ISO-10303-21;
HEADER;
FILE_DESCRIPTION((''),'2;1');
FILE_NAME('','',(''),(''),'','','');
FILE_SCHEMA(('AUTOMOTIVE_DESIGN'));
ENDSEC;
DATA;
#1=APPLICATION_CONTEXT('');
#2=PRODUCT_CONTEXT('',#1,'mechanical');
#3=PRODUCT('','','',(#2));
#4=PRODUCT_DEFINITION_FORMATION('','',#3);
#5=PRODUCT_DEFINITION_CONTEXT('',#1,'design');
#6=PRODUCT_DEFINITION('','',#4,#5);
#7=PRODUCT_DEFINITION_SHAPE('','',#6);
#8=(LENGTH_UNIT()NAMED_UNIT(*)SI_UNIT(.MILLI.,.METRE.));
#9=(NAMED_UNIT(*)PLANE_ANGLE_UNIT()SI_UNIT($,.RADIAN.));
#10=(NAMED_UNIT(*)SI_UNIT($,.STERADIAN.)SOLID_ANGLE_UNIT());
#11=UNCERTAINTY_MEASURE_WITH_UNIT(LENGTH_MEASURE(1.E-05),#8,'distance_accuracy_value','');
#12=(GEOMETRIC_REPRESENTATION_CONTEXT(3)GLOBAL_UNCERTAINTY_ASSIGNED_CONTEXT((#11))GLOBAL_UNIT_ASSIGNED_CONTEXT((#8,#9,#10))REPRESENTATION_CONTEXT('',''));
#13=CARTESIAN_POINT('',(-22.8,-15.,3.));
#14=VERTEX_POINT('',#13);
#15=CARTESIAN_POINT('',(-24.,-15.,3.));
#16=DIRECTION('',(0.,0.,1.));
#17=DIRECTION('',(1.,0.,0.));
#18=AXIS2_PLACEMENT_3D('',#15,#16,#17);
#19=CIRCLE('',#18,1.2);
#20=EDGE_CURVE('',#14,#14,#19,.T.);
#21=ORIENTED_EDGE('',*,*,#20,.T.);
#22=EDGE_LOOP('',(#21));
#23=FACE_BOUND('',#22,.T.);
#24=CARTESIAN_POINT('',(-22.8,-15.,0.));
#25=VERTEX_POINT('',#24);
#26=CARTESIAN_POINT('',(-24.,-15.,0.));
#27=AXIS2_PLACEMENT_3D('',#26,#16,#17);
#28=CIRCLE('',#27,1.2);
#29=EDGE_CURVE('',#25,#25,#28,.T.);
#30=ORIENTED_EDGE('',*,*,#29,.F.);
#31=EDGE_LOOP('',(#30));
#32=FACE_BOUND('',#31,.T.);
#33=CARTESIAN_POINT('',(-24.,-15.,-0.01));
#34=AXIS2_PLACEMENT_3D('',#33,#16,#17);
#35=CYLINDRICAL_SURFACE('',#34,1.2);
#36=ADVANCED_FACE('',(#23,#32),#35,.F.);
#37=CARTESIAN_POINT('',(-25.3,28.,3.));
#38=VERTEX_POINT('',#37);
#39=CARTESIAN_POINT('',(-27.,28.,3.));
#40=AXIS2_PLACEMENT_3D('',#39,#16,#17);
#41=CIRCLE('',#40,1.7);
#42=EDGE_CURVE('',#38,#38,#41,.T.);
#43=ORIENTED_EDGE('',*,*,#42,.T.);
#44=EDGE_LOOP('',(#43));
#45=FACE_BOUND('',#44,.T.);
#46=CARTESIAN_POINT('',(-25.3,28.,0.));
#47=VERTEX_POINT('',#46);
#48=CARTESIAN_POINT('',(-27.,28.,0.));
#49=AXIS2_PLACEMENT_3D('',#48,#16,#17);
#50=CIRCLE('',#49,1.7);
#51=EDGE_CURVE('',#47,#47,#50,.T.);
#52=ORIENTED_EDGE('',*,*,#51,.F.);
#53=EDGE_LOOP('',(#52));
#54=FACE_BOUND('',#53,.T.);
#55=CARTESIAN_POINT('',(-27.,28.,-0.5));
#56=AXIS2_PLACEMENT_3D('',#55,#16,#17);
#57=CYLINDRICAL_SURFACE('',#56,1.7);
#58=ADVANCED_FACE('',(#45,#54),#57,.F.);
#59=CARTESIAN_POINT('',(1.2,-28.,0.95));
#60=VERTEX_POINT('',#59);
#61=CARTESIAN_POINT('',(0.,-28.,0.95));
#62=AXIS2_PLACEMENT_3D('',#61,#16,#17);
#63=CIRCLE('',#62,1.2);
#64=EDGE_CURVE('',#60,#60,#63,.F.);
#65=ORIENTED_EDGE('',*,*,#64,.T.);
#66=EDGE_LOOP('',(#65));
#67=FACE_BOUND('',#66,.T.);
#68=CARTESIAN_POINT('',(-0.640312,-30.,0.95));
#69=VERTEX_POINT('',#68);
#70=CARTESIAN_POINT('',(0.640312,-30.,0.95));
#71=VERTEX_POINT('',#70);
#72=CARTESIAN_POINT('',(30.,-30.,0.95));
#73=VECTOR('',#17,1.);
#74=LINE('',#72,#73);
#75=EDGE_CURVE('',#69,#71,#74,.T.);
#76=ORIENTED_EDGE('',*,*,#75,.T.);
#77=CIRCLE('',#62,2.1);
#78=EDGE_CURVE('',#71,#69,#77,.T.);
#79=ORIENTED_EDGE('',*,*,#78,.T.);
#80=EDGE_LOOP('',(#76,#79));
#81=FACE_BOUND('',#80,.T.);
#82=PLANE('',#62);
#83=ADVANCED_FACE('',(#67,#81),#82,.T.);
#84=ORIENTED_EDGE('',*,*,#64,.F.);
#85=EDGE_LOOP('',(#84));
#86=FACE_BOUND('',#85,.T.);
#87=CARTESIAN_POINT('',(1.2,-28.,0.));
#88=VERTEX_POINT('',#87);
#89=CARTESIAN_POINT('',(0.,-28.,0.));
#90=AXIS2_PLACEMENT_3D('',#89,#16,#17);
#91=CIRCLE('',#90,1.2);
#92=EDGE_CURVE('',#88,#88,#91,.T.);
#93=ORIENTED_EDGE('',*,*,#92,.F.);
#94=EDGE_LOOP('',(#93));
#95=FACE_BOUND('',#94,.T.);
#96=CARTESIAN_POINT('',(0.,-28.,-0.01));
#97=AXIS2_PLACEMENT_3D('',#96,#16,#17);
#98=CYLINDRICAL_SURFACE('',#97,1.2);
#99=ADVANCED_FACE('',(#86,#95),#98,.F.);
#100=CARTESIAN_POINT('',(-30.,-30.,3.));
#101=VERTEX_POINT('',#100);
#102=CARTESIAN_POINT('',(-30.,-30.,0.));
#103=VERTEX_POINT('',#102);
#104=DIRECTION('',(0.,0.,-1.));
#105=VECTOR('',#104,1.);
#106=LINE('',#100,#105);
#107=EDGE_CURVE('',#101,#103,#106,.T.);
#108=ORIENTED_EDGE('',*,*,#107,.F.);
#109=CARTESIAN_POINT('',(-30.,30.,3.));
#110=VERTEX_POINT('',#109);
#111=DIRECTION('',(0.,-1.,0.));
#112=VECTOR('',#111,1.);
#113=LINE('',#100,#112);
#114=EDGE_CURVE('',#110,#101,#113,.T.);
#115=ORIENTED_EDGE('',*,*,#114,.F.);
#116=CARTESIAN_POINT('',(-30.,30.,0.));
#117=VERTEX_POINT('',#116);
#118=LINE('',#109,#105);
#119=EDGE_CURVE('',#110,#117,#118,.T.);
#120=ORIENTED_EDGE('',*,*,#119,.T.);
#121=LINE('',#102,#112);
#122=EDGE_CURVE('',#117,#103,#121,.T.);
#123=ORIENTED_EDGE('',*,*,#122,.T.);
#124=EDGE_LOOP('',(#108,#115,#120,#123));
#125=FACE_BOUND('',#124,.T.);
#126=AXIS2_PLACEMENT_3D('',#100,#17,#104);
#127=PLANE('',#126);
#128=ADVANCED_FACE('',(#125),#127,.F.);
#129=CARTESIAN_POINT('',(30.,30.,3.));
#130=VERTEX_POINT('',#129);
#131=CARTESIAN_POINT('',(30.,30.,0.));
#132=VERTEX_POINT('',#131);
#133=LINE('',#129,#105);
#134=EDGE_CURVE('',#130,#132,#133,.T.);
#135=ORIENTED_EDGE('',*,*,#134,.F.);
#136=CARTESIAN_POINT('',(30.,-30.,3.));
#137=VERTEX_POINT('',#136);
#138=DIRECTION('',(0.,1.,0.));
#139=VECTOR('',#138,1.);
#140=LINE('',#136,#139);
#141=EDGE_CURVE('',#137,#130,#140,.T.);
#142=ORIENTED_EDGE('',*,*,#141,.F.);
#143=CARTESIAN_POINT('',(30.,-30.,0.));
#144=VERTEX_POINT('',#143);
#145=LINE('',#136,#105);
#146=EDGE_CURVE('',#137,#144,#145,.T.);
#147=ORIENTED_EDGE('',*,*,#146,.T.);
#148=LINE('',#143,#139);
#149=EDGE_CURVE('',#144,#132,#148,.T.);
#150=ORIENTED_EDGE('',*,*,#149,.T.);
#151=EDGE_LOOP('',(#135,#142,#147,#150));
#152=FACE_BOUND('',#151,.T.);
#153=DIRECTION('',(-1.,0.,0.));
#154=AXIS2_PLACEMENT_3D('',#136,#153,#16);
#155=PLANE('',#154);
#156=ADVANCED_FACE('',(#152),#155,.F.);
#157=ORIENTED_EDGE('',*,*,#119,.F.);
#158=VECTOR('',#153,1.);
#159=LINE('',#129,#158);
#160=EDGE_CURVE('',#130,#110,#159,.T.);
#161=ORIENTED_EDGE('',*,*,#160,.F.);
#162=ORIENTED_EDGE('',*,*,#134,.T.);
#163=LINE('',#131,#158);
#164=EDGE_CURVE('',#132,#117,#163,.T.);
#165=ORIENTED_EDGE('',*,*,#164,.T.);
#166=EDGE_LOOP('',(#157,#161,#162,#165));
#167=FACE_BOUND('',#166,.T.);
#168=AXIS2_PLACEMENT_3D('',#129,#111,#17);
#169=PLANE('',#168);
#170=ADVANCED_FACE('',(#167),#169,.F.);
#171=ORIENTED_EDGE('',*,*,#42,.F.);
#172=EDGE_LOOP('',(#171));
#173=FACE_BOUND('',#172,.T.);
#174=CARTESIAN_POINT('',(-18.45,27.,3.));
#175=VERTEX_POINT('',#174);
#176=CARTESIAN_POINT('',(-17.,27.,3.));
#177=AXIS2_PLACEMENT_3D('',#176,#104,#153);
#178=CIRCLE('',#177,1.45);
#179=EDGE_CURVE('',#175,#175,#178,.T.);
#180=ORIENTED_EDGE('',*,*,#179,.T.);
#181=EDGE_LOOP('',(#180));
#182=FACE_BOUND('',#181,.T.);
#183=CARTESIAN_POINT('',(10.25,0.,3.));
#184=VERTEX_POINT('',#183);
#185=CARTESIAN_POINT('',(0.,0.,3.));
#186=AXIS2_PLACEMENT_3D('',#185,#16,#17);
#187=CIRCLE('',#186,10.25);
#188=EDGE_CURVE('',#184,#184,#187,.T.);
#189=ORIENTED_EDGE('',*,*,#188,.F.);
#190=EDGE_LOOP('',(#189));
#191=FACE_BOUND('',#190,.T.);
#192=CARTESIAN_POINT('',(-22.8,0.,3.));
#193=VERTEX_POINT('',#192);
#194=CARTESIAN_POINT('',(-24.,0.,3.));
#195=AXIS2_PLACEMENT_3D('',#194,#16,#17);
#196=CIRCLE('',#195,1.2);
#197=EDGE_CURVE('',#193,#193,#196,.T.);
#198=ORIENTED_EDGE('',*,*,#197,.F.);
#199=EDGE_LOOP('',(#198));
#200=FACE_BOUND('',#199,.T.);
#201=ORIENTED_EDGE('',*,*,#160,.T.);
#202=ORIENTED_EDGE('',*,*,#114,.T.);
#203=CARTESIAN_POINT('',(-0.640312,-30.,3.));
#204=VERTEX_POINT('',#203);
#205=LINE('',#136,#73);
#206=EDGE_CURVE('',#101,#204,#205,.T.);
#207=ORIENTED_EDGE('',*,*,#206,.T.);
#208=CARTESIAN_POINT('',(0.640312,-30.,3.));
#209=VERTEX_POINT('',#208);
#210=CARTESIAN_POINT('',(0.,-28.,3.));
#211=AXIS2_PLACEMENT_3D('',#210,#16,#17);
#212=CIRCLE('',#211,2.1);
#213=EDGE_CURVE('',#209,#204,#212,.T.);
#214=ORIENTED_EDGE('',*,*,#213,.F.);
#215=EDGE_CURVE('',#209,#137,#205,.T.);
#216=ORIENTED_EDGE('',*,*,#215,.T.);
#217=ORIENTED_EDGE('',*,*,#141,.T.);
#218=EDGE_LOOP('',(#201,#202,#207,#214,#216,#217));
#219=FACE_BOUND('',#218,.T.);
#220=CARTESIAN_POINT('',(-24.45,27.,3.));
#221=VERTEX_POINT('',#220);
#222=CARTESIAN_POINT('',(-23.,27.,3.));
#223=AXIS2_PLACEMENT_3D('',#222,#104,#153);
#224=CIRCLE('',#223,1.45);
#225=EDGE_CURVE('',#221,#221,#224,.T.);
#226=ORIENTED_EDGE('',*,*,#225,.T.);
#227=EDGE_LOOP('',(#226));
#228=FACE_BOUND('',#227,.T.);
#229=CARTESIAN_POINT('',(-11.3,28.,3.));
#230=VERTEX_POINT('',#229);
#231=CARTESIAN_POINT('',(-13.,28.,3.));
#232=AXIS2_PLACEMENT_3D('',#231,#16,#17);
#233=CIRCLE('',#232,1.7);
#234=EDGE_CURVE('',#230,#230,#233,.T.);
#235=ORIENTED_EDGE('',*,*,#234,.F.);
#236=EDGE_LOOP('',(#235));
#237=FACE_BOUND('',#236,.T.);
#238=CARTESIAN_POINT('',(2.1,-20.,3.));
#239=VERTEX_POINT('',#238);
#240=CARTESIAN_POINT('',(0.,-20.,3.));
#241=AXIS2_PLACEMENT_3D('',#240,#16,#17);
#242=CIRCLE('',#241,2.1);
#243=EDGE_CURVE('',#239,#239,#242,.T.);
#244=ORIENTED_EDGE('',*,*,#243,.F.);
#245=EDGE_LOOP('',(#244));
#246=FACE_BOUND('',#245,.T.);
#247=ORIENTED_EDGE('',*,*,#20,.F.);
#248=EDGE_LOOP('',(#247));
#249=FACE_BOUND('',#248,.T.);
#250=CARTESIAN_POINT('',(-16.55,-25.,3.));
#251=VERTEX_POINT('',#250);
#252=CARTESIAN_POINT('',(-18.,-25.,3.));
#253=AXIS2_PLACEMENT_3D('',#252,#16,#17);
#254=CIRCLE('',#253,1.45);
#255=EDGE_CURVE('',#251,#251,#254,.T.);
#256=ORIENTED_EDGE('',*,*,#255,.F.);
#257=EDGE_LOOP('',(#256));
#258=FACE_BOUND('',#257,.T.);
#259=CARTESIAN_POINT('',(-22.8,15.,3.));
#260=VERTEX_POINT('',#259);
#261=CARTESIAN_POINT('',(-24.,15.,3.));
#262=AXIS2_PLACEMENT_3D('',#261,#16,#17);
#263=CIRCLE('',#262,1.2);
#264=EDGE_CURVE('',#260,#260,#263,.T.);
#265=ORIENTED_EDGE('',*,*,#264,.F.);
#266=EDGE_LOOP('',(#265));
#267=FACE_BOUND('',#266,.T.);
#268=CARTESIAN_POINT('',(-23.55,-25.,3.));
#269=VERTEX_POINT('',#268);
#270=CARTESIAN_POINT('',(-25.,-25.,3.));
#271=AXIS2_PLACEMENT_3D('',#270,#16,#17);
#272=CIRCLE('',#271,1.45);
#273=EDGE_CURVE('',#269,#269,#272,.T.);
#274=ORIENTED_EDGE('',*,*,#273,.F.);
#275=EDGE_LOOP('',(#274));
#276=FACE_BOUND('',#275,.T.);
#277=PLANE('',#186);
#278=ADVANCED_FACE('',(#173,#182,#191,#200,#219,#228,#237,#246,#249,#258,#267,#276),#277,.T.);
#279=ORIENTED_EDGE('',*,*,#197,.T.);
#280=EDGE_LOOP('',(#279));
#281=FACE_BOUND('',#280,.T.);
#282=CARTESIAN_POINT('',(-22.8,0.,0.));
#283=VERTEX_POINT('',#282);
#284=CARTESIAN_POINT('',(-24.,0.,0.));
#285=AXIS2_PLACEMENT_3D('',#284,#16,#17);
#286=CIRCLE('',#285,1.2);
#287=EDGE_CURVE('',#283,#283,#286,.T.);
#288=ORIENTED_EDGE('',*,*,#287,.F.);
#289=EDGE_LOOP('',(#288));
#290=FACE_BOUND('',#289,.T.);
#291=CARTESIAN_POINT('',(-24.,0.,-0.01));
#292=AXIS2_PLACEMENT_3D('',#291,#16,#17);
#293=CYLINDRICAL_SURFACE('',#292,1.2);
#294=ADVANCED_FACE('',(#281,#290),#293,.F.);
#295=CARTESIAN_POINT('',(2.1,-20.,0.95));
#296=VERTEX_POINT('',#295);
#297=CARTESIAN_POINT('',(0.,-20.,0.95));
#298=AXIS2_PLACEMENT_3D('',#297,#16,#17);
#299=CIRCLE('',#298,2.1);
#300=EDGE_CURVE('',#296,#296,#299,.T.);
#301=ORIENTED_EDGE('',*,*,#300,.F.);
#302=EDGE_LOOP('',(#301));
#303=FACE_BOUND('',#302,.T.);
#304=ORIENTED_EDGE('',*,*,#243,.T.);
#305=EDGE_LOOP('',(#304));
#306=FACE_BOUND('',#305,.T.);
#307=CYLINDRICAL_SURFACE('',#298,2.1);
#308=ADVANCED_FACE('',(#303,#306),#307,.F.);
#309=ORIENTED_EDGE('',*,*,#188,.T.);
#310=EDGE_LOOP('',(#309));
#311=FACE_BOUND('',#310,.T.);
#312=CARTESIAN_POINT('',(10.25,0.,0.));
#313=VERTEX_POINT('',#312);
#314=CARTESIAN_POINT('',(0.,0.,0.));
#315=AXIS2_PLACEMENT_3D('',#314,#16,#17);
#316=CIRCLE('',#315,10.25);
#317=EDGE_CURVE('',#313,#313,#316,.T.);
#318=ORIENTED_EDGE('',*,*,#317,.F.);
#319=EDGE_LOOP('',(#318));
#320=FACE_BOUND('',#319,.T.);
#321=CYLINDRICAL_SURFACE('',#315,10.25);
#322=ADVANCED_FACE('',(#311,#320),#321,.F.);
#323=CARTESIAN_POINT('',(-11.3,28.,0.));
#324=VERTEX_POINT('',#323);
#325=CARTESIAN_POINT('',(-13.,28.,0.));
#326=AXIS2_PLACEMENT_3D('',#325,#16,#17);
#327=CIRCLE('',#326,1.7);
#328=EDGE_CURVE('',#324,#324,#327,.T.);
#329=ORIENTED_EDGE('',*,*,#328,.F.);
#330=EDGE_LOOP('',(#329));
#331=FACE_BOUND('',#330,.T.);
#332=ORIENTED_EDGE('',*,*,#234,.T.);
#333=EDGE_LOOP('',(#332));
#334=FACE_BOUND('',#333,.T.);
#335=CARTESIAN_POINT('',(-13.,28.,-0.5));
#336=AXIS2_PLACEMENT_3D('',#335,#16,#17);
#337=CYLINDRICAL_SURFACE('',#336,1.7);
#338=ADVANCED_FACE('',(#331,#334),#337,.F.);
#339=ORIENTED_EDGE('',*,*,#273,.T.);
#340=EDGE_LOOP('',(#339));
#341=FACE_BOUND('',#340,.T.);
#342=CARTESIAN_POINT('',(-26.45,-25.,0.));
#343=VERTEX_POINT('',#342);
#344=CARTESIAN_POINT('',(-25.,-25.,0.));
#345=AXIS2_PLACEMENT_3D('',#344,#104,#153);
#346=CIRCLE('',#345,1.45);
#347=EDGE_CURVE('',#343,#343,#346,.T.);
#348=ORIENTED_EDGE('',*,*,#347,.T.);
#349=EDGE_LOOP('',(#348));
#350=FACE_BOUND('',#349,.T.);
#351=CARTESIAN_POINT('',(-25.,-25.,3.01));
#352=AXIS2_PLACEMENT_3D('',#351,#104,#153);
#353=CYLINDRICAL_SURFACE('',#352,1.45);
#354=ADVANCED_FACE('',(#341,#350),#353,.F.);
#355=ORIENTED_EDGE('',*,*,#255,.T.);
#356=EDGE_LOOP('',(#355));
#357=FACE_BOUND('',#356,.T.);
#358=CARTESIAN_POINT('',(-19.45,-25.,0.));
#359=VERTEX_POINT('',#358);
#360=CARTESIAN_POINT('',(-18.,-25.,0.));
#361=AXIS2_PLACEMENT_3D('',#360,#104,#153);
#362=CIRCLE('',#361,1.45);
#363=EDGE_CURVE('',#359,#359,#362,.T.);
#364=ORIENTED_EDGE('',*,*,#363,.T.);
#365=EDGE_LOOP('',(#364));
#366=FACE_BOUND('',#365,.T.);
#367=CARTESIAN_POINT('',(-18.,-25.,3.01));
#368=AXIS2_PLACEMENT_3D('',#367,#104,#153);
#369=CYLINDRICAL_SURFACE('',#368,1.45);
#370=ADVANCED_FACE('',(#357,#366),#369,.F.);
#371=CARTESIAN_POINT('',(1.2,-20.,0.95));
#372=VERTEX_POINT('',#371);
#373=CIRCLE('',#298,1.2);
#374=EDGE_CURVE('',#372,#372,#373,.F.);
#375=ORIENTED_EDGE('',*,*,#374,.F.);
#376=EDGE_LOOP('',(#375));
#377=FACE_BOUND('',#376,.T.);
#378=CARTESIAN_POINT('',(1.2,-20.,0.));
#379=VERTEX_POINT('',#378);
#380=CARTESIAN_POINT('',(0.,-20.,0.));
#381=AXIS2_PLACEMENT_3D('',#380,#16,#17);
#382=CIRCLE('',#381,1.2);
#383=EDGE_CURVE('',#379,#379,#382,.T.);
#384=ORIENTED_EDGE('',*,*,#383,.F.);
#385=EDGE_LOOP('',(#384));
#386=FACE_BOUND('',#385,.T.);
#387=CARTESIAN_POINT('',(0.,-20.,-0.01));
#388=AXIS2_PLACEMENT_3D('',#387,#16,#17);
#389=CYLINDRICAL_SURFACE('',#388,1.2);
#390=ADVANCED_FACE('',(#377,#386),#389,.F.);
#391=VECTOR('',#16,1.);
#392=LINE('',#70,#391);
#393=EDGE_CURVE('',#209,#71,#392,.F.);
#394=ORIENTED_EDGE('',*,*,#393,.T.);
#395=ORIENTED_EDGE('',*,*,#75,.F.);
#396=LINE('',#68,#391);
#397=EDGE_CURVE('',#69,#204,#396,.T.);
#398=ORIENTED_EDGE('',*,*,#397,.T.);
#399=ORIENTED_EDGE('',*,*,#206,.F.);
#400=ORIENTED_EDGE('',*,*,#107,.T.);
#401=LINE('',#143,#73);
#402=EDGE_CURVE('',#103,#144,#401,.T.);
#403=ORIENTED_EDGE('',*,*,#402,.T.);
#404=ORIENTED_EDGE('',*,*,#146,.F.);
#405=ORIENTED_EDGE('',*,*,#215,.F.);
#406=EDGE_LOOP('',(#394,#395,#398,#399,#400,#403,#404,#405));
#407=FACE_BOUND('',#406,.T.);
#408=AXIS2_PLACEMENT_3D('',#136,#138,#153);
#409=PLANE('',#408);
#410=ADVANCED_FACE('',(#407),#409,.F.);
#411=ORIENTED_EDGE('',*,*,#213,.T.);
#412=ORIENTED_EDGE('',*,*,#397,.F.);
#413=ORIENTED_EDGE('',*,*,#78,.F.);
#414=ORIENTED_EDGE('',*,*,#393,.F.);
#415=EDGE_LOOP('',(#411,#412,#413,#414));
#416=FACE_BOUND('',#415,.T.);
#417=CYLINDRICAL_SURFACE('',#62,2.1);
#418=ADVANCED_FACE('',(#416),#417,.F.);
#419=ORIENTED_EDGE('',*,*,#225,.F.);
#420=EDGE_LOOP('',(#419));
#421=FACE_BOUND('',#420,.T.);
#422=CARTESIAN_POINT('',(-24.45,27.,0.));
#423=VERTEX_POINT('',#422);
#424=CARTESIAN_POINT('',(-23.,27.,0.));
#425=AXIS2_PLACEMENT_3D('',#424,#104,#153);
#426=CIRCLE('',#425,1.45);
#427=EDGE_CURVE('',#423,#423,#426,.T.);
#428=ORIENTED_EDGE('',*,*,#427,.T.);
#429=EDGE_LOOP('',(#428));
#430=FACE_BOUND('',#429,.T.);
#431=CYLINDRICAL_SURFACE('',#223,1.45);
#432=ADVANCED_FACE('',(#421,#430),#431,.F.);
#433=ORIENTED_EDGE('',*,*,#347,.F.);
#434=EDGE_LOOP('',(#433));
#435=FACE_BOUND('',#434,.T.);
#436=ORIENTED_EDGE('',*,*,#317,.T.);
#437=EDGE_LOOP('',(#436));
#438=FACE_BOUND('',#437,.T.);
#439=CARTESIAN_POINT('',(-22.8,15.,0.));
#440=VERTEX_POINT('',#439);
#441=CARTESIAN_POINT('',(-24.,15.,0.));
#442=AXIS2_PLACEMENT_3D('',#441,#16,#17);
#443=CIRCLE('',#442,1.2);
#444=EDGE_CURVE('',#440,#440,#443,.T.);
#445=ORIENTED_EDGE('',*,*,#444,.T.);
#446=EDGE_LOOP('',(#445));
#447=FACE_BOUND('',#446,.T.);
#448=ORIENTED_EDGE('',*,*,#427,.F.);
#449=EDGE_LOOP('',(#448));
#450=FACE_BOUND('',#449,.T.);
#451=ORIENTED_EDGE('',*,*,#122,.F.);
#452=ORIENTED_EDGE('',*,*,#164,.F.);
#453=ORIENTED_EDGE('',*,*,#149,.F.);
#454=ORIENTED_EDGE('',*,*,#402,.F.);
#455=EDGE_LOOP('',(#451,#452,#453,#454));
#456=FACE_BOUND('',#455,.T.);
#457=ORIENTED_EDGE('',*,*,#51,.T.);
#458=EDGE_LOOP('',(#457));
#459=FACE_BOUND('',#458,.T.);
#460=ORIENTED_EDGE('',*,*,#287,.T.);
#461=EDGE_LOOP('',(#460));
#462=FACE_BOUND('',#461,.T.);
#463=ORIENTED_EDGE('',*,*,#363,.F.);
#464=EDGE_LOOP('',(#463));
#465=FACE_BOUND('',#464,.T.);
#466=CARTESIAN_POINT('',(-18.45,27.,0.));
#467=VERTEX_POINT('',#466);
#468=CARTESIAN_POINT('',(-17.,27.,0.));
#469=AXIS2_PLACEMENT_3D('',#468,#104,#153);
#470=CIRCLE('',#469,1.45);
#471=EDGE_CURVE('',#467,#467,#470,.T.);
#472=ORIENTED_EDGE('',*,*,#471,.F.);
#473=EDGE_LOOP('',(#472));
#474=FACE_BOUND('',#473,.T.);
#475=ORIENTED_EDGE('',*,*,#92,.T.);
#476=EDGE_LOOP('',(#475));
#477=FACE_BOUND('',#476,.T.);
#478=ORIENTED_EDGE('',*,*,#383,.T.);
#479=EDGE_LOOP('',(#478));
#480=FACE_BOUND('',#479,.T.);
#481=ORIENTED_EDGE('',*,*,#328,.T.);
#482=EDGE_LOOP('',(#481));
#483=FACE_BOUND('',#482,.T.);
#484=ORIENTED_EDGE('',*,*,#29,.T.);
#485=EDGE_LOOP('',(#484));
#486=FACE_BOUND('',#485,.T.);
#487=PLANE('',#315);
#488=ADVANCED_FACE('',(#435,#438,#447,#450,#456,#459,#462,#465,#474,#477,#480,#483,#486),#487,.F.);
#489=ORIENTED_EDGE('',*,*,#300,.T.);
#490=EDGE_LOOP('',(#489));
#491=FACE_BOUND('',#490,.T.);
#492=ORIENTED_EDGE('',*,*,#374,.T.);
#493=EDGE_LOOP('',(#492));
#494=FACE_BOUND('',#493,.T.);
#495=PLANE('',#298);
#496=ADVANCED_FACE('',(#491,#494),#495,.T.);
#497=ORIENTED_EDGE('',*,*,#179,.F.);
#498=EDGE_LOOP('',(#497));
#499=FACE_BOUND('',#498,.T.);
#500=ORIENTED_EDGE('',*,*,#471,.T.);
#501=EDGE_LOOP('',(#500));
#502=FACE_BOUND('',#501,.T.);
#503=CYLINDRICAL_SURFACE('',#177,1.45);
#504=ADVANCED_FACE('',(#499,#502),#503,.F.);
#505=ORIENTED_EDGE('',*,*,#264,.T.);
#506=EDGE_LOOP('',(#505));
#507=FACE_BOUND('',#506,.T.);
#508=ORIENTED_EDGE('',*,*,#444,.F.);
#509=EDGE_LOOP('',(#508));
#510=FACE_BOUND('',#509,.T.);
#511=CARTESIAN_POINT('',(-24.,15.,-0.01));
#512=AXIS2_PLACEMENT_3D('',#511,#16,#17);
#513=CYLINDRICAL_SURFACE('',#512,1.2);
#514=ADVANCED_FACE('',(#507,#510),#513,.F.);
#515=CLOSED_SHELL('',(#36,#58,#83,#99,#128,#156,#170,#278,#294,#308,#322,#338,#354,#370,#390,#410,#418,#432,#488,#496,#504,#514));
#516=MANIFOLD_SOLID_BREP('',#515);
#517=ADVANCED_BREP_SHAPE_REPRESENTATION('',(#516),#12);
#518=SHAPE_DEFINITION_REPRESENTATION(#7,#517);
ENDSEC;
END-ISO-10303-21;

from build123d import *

# Parameters (mm, degrees)
SKETCH1_W                                    = 60
SKETCH1_H                                    = 60
BOSS_EXTRUDE1_DEPTH                          = 3
SKETCH2_R                                    = 10.25
CUT_EXTRUDE1_DEPTH                           = 43.532340636
SKETCH3_R                                    = 1.45
SERVO_Y_MOUNT_D2P9_DEPTH                     = 3.01
SKETCH4_R                                    = 1.45
CUT_EXTRUDE5_DEPTH                           = 43.532340636
SKETCH5_R                                    = 1.2
GUIDERAIL1_D2P4_DEPTH                        = 3.01
SKETCH6_R                                    = 1.2
GUIDEBLOCK2_D2P4_DEPTH                       = 3.01
SKETCH7_R                                    = 2.1
GUIDEBLOCK2_HEADCOUNTERBORE_D4P2_DEPTH       = 2.05
SKETCH8_R                                    = 1.7
BENCH_XDROP_M3_CLEARANCE_HOLES_2X_D3P4_DEPTH = 3.5


with BuildPart() as part:
    # Sketch1 → Boss-Extrude1 (new body)
    with BuildSketch(Plane.XY):
        Rectangle(SKETCH1_W, SKETCH1_H)
    extrude(amount=BOSS_EXTRUDE1_DEPTH)

    # Sketch2 → Cut-Extrude1 (cut, through all)
    with BuildSketch(Plane.XY.offset(3)):
        Circle(SKETCH2_R)
    extrude(amount=-CUT_EXTRUDE1_DEPTH, mode=Mode.SUBTRACT)

    # Sketch3 → Servo_Y_Mount_D2p9 (cut)
    with BuildSketch(Plane(origin=(0, 0, 0), x_dir=(-1, 0, 0), z_dir=(0, 0, -1))):
        with Locations((18, -25)):
            Circle(SKETCH3_R)
        with Locations((25, -25)):
            Circle(SKETCH3_R)
    extrude(amount=-SERVO_Y_MOUNT_D2P9_DEPTH, mode=Mode.SUBTRACT)

    # Sketch4 → Cut-Extrude5 (cut, through all)
    with BuildSketch(Plane(origin=(0, 0, 0), x_dir=(-1, 0, 0), z_dir=(0, 0, -1))):
        with Locations((17, 27)):
            Circle(SKETCH4_R)
        with Locations((23, 27)):
            Circle(SKETCH4_R)
    extrude(amount=-CUT_EXTRUDE5_DEPTH, mode=Mode.SUBTRACT)

    # Sketch5 → GuideRail1_D2p4 (cut)
    with BuildSketch(Plane.XY.offset(3)):
        with Locations((-24, -15)):
            Circle(SKETCH5_R)
        with Locations((-24, 0)):
            Circle(SKETCH5_R)
        with Locations((-24, 15)):
            Circle(SKETCH5_R)
    extrude(amount=-GUIDERAIL1_D2P4_DEPTH, mode=Mode.SUBTRACT)

    # Sketch6 → GuideBlock2_D2p4 (cut)
    with BuildSketch(Plane.XY.offset(3)):
        with Locations((0, -28)):
            Circle(SKETCH6_R)
        with Locations((0, -20)):
            Circle(SKETCH6_R)
    extrude(amount=-GUIDEBLOCK2_D2P4_DEPTH, mode=Mode.SUBTRACT)

    # Sketch7 → GuideBlock2_HeadCounterbore_D4p2 (cut)
    with BuildSketch(Plane.XY.offset(3)):
        with Locations((0, -28)):
            Circle(SKETCH7_R)
        with Locations((0, -20)):
            Circle(SKETCH7_R)
    extrude(amount=-GUIDEBLOCK2_HEADCOUNTERBORE_D4P2_DEPTH, mode=Mode.SUBTRACT)

    # Sketch8 → Bench_XDrop_M3_Clearance_Holes_2x_D3p4 (cut)
    with BuildSketch(Plane.XY.offset(3)):
        with Locations((-27, 28)):
            Circle(SKETCH8_R)
        with Locations((-13, 28)):
            Circle(SKETCH8_R)
    extrude(amount=-BENCH_XDROP_M3_CLEARANCE_HOLES_2X_D3P4_DEPTH, mode=Mode.SUBTRACT)


solid = part.part
